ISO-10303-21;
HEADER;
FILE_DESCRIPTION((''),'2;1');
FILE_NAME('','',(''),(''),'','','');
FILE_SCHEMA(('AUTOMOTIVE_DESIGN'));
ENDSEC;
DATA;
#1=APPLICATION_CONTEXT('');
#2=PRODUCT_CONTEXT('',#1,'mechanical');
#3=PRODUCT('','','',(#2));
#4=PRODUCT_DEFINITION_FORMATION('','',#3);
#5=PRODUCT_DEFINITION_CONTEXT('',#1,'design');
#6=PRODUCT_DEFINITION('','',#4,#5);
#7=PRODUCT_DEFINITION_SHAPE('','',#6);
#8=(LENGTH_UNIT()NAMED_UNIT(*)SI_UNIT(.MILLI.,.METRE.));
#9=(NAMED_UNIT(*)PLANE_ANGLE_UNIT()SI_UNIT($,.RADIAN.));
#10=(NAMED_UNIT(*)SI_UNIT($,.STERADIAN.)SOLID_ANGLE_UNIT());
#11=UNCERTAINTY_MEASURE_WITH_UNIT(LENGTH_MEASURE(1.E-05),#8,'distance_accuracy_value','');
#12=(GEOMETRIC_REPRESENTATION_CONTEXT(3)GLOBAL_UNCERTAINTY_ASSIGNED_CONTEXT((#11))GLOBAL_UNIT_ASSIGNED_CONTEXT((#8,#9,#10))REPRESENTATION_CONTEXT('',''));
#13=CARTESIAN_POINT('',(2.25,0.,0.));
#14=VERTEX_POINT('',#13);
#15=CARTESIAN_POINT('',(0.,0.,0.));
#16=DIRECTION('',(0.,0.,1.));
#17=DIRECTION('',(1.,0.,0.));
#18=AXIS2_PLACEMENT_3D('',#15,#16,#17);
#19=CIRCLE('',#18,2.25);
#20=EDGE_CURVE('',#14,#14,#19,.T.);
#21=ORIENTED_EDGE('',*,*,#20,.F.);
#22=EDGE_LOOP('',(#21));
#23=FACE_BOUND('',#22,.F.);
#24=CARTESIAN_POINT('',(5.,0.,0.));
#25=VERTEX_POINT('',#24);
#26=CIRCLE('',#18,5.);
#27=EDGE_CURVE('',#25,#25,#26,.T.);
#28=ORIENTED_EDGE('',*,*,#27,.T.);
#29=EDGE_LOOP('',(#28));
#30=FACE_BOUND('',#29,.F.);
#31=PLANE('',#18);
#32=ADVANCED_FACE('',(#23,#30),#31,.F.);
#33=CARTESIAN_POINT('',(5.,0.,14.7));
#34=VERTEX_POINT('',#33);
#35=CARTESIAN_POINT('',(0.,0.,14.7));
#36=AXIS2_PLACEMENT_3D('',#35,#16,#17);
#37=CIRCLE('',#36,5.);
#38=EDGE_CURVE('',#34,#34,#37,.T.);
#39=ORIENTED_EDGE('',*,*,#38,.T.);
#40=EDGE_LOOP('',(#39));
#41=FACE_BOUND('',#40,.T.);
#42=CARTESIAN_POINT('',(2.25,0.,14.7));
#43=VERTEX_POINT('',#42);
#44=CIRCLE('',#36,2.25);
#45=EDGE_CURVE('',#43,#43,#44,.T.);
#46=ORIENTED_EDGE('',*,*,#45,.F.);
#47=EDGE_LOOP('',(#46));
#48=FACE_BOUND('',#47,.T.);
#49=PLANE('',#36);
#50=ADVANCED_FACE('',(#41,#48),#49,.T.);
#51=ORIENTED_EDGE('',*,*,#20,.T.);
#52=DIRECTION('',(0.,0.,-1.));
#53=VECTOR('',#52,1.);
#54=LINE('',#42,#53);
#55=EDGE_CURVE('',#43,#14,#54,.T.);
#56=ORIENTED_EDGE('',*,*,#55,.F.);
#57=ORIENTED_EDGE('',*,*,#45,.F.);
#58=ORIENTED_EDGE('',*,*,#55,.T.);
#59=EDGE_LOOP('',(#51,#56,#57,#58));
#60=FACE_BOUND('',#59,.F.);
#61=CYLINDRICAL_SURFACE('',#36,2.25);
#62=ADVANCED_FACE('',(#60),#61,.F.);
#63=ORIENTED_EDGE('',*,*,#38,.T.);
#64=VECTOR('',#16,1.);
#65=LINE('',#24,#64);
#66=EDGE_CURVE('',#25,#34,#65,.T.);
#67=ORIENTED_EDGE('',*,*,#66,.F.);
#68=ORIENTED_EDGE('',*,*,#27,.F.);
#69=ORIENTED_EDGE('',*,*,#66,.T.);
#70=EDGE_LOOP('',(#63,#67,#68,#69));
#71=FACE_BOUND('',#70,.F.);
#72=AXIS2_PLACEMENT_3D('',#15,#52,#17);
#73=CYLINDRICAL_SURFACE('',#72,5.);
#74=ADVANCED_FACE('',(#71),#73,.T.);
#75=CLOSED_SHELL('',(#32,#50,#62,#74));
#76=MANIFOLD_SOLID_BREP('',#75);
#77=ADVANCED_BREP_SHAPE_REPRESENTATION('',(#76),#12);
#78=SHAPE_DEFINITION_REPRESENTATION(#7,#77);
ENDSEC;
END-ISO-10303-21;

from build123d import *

# Parameters (mm, degrees)
SKETCH_R     = 5
PAD_DEPTH    = 14.7
SKETCH001_R  = 2.25
POCKET_DEPTH = 14.701


with BuildPart() as part:
    # Sketch → Pad (new body)
    with BuildSketch(Plane.XY):
        Circle(SKETCH_R)
    extrude(amount=PAD_DEPTH)

    # Sketch001 → Pocket (cut, through all)
    with BuildSketch(Plane.XY.offset(14.7)):
        Circle(SKETCH001_R)
    extrude(amount=-POCKET_DEPTH, mode=Mode.SUBTRACT)


solid = part.part
